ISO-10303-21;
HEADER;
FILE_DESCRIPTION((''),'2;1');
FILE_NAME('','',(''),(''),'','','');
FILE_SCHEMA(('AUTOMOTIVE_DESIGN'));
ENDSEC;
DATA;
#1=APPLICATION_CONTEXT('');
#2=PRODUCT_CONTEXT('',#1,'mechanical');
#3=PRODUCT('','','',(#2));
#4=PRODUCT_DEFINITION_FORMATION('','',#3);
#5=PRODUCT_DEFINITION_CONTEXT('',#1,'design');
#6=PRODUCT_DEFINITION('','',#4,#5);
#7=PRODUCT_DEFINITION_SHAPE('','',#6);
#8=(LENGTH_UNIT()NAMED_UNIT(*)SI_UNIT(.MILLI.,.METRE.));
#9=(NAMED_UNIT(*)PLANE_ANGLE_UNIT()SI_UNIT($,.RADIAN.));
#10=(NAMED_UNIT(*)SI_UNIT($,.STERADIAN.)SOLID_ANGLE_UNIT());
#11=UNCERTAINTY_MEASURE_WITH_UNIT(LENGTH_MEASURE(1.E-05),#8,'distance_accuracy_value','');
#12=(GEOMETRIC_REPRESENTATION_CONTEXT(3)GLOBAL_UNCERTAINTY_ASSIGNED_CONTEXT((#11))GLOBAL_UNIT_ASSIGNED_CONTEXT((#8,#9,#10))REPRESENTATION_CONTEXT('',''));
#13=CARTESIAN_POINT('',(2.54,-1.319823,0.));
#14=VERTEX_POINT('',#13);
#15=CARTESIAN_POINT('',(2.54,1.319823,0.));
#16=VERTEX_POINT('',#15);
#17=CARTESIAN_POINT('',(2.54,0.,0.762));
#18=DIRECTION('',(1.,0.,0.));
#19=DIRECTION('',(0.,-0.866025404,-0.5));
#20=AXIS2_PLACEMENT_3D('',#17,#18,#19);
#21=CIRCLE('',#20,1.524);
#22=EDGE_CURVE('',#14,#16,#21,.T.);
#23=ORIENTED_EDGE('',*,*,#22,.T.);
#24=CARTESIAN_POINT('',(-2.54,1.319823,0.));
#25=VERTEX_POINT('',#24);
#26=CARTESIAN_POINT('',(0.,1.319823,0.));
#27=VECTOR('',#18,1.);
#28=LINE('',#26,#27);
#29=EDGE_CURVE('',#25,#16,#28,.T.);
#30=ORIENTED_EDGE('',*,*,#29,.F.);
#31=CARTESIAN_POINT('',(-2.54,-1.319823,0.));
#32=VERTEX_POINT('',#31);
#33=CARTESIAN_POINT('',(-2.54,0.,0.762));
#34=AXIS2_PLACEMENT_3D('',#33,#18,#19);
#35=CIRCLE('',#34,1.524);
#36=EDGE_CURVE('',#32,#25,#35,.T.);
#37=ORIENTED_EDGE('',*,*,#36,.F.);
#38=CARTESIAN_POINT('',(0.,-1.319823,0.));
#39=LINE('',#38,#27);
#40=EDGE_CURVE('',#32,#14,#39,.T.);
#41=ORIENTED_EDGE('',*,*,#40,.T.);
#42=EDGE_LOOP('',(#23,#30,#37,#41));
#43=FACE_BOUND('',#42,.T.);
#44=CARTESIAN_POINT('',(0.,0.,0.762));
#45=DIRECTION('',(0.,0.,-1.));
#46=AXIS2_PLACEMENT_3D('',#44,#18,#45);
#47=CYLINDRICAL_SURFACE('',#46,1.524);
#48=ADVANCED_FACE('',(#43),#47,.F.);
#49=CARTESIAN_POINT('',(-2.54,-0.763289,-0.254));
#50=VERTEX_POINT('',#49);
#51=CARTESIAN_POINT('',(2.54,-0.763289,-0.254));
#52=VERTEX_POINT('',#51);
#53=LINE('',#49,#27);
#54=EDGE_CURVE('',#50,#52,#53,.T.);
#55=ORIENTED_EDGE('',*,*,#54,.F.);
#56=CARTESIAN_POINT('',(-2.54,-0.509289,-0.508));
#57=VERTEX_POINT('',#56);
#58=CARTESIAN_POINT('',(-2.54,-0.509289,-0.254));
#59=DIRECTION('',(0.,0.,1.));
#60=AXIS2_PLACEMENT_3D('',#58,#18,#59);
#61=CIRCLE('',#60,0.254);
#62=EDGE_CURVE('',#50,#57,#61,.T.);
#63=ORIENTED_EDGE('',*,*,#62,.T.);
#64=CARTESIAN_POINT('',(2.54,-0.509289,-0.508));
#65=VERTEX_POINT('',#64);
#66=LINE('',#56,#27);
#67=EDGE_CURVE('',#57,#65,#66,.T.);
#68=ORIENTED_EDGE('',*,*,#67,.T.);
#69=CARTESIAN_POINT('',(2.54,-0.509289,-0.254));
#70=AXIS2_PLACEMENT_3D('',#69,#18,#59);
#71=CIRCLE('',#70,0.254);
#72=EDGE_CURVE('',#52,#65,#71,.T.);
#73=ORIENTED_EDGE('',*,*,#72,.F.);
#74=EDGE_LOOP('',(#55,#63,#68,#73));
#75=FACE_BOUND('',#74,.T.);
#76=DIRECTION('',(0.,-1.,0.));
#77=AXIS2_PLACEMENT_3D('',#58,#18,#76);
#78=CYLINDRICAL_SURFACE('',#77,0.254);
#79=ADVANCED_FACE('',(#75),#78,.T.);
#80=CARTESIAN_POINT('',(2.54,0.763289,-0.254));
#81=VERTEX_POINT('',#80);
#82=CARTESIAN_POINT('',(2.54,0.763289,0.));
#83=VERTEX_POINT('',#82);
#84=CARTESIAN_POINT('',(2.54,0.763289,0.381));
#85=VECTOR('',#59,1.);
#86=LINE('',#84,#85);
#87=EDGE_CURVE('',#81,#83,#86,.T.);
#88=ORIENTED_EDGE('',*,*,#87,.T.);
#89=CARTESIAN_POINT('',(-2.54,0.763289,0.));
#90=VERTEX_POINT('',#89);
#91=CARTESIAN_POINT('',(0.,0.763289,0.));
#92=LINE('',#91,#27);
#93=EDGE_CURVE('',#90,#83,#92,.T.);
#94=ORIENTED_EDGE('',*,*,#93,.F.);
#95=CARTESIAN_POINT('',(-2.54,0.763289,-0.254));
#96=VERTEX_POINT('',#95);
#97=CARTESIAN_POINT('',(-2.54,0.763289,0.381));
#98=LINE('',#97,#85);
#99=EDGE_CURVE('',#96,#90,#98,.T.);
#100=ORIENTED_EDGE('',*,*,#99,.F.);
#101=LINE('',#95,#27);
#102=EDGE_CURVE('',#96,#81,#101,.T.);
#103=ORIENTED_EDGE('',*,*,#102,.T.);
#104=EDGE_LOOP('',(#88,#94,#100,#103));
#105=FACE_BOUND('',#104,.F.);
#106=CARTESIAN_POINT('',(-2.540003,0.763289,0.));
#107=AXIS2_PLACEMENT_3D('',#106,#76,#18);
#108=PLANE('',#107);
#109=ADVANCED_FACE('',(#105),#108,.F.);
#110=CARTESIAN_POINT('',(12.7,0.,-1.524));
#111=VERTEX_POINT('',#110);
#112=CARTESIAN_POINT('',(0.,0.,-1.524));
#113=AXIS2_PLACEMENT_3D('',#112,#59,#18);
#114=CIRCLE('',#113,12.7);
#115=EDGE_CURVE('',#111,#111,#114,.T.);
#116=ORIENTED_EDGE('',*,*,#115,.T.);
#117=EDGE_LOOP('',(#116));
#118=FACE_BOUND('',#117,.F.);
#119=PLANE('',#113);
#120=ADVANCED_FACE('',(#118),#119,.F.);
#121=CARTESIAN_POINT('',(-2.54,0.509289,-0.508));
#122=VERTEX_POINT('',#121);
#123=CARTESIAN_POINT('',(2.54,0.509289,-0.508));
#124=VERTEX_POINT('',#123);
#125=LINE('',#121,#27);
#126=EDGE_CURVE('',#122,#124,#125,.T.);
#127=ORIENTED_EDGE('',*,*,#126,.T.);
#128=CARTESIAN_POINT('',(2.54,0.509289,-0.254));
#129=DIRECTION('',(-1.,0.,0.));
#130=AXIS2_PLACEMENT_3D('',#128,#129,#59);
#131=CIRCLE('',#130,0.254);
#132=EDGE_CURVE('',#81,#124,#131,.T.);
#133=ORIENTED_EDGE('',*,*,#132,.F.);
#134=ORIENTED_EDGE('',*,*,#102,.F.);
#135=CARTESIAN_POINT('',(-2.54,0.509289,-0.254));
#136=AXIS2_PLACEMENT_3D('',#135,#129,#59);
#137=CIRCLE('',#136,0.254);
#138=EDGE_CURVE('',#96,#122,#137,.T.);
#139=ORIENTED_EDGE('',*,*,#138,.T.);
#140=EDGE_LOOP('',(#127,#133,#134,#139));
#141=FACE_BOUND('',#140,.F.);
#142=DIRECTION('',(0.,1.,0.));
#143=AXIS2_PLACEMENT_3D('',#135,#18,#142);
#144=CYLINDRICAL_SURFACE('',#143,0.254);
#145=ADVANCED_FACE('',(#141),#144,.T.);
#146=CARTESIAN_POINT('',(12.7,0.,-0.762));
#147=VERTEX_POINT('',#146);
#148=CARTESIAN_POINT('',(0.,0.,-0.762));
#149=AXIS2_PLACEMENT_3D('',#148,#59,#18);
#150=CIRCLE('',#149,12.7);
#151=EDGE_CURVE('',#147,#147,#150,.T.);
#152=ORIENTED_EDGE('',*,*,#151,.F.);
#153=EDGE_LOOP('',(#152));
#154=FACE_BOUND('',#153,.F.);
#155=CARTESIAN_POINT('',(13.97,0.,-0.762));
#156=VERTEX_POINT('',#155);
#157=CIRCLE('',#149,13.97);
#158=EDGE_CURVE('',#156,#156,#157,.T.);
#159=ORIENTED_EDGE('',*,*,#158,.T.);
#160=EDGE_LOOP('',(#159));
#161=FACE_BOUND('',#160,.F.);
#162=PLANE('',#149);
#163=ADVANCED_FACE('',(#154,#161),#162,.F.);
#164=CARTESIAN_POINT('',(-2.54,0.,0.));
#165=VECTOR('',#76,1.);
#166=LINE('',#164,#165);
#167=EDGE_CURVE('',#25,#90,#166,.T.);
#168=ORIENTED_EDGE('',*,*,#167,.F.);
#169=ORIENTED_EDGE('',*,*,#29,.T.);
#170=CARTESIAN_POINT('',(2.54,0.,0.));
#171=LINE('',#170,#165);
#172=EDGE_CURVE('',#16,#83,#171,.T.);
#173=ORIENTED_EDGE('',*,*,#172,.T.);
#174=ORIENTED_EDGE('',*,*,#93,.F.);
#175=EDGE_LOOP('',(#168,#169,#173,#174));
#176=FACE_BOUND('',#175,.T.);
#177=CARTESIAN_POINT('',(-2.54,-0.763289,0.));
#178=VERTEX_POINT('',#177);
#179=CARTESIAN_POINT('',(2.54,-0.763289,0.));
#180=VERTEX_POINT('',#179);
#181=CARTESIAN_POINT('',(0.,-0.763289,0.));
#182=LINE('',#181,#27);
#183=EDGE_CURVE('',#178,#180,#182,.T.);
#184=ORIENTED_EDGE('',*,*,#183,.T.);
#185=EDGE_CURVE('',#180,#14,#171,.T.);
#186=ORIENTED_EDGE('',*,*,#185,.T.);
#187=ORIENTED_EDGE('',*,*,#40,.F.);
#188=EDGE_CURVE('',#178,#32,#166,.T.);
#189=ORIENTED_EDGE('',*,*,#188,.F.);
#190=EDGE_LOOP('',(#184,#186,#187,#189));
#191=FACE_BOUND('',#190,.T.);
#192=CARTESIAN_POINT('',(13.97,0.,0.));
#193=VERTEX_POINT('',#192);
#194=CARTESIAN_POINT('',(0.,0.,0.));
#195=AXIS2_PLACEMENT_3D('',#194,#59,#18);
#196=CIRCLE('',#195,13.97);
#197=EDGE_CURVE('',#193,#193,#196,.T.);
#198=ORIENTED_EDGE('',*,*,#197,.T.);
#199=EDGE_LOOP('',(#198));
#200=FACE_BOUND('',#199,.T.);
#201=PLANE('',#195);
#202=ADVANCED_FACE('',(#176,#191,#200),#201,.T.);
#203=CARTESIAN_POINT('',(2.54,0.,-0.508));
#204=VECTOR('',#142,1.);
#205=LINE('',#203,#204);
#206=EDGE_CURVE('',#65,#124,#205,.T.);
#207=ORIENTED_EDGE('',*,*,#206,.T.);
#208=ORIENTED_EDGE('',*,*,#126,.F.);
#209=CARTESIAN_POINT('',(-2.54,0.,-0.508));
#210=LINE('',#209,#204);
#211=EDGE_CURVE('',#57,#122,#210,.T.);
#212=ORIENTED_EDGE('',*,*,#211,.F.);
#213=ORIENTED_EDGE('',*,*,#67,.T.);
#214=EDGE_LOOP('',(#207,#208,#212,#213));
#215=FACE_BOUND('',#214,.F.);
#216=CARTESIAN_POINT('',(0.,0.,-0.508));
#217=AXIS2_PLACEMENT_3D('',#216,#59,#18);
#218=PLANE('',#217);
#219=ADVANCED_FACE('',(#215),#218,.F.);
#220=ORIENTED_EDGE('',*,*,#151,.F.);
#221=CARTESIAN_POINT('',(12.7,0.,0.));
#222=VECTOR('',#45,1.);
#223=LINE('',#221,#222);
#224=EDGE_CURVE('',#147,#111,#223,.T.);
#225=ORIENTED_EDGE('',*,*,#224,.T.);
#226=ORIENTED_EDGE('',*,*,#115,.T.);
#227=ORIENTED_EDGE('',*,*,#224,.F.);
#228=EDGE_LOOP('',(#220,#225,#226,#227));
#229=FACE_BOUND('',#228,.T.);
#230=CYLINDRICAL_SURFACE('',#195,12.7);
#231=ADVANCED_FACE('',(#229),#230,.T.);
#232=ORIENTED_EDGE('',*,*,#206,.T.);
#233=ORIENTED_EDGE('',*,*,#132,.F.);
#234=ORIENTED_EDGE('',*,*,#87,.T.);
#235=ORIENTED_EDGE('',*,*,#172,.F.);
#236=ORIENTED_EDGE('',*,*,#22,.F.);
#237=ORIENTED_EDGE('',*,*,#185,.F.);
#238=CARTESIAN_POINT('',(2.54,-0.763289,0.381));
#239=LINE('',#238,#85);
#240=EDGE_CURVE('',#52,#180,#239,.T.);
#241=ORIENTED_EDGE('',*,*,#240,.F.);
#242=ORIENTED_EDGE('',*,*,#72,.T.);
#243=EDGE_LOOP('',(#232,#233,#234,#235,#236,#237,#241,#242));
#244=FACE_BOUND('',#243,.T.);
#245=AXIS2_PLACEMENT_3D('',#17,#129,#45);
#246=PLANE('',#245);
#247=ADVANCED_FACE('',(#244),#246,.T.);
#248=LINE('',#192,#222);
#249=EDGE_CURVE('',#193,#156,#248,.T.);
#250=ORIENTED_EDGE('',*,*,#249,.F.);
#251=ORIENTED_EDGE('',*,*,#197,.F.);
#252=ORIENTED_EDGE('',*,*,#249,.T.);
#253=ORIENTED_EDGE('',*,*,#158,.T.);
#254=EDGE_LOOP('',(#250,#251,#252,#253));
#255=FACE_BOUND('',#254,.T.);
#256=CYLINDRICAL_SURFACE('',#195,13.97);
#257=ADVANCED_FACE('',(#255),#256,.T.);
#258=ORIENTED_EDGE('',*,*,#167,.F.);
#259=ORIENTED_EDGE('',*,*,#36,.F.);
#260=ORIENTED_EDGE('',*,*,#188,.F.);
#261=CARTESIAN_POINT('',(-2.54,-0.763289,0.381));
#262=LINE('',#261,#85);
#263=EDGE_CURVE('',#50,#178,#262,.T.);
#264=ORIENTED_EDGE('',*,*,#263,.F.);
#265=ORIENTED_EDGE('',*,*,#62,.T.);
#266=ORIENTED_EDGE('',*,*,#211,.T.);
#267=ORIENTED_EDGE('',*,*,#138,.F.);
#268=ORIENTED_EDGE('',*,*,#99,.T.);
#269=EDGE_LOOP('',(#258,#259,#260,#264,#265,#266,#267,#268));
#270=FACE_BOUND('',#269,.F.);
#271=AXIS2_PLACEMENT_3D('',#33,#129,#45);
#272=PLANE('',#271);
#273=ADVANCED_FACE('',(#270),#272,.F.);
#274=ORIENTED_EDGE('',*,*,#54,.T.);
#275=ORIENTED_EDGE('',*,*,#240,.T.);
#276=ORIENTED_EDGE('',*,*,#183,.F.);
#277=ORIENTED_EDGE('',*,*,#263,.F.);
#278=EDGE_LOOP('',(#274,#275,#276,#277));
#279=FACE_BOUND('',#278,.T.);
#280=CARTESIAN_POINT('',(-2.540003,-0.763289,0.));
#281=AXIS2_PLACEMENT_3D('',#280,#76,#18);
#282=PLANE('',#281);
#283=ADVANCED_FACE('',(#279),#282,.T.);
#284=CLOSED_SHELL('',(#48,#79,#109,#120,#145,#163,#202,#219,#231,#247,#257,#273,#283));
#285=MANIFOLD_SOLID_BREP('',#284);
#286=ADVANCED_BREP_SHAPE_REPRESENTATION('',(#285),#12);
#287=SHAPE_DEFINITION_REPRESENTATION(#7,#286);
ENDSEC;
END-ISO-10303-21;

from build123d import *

# Parameters (mm, degrees)
F0_R     = 12.7
F1_DEPTH = 1.524
F2_R     = 13.97
F3_DEPTH = 0.762
F4_W     = 5.08
F4_H     = 1.524
F6_W     = 5.08000508
F6_H     = 1.5265774739
F7_DEPTH = 0.508
F8_R     = 0.254


with BuildPart() as f1:
    # F0 (on Top) → F1 (new body)
    with BuildSketch(Plane.XY):
        Circle(F0_R)
    extrude(amount=-F1_DEPTH)

    # F2 (on Top) → F3 (join)
    with BuildSketch(Plane.XY):
        Circle(F2_R)
    extrude(amount=-F3_DEPTH)

    # F4 (on Front) → F5 (revolve, cut)
    with BuildSketch(Plane.XZ):
        Rectangle(F4_W, F4_H)
    revolve(axis=Axis((0, 0, 0.762), (-1, 0, 0)), mode=Mode.SUBTRACT)

    # F6 (on Top) → F7 (join)
    with BuildSketch(Plane.XY):
        Rectangle(F6_W, F6_H)
    extrude(amount=-F7_DEPTH)

    # F8
    f8_edges = [f1.edges().sort_by_distance(p)[0] for p in [
        (0, 0.763289, -0.508),
        (0, -0.763289, -0.508),
    ]]
    fillet(f8_edges, radius=F8_R)


solid = f1.part
